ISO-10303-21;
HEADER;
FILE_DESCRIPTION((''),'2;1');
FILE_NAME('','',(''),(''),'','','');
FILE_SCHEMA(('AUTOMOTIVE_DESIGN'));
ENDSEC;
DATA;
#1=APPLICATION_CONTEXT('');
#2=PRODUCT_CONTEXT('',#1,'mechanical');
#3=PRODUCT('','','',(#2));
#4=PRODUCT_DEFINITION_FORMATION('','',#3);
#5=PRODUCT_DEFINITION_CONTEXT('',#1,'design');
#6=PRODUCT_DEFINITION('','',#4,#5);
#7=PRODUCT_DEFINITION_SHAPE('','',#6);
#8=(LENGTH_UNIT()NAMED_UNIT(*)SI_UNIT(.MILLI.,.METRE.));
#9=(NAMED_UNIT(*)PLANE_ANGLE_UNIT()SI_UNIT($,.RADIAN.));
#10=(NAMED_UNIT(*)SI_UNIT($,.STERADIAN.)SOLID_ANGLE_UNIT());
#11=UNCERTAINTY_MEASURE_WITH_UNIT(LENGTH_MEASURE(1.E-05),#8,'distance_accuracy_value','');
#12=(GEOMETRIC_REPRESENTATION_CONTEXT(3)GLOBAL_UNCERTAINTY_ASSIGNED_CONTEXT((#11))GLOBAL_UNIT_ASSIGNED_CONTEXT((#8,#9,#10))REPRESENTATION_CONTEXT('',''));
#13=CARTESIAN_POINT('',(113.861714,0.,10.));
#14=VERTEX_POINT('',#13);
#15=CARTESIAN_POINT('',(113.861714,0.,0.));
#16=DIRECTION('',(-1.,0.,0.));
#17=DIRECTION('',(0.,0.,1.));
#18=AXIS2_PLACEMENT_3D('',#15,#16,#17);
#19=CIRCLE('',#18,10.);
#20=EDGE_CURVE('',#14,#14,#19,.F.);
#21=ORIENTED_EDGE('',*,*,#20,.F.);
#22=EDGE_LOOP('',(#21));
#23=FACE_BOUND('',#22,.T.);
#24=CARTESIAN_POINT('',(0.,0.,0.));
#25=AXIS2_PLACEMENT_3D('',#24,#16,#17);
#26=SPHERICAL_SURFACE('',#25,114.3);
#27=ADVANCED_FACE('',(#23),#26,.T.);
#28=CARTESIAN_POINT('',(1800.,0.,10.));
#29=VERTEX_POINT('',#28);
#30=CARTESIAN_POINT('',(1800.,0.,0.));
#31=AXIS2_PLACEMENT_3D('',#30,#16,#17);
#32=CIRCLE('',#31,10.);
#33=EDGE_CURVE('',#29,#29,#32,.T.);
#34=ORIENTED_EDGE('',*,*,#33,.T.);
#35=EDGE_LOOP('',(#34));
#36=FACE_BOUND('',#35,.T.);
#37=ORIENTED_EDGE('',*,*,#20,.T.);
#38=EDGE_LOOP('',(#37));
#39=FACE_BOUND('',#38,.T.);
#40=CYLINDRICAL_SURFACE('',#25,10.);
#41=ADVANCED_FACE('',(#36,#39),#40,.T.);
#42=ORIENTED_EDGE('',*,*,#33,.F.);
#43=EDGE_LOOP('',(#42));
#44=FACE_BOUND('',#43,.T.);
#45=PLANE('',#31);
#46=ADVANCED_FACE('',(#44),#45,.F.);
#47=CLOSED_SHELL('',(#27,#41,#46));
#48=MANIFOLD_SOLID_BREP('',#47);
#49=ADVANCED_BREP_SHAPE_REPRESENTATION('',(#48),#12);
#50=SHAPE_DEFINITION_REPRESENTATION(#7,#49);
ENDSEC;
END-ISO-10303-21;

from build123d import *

# Parameters (mm, degrees)
SKETCH4_W = 1800
SKETCH4_H = 10


with BuildPart() as part:
    # Sketch2 → Revolve1 (revolve)
    with BuildSketch(Plane.XY):
        with BuildLine():
            Line((0, 114.3), (0, -114.3))
            ThreePointArc((0, -114.3), (-114.3, 0), (0, 114.3))
        make_face()
    revolve(axis=Axis((0, 114.3, 0), (0, -1, 0)))

    # Sketch4 → Revolve-Thin1 (revolve)
    with BuildSketch(Plane.XY, mode=Mode.PRIVATE) as revolve_thin1_sk:
        with Locations((900, 5)):
            Rectangle(SKETCH4_W, SKETCH4_H)
    revolve(revolve_thin1_sk.sketch.rotate(Axis((0, 0, 0), (1, 0, 0)), 90), axis=Axis((0, 0, 0), (1, 0, 0)))


solid = part.part
